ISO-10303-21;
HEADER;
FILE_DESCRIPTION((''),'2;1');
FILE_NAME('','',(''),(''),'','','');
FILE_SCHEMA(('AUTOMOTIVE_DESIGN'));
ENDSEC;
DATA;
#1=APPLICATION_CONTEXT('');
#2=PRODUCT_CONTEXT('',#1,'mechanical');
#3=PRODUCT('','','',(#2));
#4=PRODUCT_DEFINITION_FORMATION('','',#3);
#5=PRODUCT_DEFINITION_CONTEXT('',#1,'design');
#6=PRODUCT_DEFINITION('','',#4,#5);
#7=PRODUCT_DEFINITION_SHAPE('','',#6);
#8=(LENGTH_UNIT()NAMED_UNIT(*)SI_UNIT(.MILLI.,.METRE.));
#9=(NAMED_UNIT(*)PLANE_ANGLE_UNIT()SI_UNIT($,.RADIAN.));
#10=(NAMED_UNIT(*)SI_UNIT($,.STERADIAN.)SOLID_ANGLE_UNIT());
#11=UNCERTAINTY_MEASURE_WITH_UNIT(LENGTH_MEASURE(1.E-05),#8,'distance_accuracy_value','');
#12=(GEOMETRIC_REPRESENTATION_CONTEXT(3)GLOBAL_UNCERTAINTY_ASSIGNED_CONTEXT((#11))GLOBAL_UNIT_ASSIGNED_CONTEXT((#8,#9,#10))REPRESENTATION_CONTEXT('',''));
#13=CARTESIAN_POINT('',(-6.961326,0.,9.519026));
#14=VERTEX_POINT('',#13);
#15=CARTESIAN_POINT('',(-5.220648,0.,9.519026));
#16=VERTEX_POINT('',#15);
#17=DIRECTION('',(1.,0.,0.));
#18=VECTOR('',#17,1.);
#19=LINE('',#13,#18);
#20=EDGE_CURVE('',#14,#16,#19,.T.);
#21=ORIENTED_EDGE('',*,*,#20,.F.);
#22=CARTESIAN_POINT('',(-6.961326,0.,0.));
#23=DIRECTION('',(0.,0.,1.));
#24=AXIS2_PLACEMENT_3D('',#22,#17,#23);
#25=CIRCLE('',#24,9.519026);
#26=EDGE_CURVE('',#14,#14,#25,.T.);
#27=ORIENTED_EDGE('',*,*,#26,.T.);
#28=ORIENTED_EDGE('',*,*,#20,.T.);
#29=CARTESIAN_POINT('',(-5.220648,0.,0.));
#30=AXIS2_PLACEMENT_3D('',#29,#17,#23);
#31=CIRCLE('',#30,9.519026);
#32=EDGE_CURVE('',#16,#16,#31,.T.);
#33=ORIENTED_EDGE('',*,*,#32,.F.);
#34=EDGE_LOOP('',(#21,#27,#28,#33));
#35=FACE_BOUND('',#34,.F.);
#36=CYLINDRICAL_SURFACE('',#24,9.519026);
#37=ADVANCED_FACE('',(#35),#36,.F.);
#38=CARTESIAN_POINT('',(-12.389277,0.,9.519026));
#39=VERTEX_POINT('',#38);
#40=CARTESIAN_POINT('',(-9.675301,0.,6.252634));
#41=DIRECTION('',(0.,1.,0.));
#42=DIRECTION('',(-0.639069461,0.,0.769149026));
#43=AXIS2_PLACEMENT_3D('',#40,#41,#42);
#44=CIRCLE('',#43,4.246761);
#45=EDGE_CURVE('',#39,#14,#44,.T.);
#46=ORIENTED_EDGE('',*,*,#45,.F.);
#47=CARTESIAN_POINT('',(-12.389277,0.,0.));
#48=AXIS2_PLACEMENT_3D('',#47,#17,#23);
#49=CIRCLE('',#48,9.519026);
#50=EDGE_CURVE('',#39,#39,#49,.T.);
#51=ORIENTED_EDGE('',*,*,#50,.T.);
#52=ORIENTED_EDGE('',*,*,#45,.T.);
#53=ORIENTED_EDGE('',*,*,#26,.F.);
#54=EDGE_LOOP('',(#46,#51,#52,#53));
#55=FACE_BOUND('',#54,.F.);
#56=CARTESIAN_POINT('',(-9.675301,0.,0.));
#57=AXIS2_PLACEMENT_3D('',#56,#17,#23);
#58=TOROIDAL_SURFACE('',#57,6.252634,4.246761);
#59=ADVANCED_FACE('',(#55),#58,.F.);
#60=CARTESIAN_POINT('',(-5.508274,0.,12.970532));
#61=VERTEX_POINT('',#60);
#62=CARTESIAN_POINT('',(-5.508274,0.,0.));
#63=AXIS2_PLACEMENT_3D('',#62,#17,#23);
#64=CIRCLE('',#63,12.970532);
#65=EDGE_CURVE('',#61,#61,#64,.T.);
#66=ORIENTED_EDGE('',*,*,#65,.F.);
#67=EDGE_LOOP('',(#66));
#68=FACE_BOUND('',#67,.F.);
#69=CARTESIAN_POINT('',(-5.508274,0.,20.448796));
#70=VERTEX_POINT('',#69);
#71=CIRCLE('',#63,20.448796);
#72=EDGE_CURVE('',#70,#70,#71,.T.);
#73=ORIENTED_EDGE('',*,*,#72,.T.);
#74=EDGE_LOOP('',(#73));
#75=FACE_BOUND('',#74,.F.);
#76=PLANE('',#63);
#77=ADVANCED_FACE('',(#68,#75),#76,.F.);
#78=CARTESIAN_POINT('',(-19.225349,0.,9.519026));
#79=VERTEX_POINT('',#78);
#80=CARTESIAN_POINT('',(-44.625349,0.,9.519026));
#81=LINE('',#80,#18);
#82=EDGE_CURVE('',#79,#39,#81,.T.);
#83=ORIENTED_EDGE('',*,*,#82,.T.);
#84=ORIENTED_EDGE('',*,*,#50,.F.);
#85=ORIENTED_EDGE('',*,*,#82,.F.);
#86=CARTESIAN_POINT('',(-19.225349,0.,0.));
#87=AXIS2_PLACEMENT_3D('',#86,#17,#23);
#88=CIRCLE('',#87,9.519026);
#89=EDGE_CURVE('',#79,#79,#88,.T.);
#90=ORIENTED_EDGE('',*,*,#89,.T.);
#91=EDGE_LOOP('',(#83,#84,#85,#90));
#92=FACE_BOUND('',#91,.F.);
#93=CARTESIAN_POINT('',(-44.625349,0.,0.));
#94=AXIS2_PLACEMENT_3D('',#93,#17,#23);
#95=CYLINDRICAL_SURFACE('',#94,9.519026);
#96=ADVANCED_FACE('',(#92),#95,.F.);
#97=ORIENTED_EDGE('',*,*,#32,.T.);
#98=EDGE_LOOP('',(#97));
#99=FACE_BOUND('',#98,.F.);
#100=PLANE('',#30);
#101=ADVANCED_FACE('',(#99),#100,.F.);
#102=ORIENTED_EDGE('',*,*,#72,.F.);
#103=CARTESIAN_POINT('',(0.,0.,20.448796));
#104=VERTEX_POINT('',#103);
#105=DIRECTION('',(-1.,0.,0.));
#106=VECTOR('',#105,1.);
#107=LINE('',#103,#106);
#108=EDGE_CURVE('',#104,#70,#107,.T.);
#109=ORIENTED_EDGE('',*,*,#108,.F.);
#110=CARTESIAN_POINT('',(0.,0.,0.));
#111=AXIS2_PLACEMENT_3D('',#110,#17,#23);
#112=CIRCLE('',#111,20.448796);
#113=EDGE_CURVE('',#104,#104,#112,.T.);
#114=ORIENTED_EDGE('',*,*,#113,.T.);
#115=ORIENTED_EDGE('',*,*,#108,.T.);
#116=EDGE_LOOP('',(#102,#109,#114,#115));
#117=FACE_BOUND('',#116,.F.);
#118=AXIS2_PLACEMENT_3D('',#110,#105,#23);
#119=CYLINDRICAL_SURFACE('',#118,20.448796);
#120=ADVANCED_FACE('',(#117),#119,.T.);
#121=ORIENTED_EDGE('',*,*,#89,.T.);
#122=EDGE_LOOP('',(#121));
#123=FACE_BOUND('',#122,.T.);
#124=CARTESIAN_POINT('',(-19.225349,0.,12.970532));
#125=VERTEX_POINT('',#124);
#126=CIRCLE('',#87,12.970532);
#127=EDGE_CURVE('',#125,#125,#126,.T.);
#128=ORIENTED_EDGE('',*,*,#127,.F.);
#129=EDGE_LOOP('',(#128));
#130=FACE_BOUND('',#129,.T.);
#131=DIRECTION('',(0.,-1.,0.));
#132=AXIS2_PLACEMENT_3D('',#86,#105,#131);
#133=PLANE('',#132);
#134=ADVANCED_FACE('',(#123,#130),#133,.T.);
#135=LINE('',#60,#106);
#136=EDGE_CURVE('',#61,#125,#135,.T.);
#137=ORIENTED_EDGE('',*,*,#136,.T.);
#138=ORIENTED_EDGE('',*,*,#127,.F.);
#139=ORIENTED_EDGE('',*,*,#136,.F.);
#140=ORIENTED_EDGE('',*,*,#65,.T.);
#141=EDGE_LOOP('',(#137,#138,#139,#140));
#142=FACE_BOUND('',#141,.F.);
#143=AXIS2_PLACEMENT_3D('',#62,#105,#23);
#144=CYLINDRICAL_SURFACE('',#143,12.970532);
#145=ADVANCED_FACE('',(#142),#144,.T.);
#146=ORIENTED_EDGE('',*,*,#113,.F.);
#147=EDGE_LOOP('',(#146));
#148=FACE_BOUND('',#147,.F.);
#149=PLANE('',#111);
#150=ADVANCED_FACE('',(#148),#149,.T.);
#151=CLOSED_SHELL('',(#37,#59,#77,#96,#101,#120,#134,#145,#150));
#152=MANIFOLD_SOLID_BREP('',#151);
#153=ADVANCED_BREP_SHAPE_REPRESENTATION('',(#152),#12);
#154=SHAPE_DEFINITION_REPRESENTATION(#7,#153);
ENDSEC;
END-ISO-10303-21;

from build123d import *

# Parameters (mm, degrees)
F1_FACE_R   = 12.970532
F1_FACE_R_2 = 9.519026
F2_DEPTH    = 25.4


with BuildPart() as f1:
    # F0 (on Front) → F1 (revolve)
    with BuildSketch(Plane.XZ):
        with BuildLine():
            Line((-44.625349, 12.970532), (-44.625349, 9.519026))
            Line((-44.625349, 9.519026), (-12.389277, 9.519026))
            ThreePointArc((-12.389277, 9.519026), (-9.675302, 10.499395), (-6.961326, 9.519026))
            Line((-6.961326, 9.519026), (-5.220648, 9.519026))
            Line((-5.220648, 9.519026), (-5.220648, 0))
            Line((-5.220648, 0), (0, 0))
            Line((0, 0), (0, 20.448796))
            Line((0, 20.448796), (-5.508274, 20.448796))
            Line((-5.508274, 20.448796), (-5.508274, 12.970532))
            Line((-5.508274, 12.970532), (-44.625349, 12.970532))
        make_face()
    revolve(axis=Axis((-2.610324, 0, 0), (1, 0, 0)))

    # F1_face (on face) → F2 (cut)
    with BuildSketch(Plane(origin=(-44.625349, 0, 0), x_dir=(0, -1, 0), z_dir=(-1, 0, 0))):
        Circle(F1_FACE_R)
        Circle(F1_FACE_R_2, mode=Mode.SUBTRACT)
    extrude(amount=-F2_DEPTH, mode=Mode.SUBTRACT)


solid = f1.part
